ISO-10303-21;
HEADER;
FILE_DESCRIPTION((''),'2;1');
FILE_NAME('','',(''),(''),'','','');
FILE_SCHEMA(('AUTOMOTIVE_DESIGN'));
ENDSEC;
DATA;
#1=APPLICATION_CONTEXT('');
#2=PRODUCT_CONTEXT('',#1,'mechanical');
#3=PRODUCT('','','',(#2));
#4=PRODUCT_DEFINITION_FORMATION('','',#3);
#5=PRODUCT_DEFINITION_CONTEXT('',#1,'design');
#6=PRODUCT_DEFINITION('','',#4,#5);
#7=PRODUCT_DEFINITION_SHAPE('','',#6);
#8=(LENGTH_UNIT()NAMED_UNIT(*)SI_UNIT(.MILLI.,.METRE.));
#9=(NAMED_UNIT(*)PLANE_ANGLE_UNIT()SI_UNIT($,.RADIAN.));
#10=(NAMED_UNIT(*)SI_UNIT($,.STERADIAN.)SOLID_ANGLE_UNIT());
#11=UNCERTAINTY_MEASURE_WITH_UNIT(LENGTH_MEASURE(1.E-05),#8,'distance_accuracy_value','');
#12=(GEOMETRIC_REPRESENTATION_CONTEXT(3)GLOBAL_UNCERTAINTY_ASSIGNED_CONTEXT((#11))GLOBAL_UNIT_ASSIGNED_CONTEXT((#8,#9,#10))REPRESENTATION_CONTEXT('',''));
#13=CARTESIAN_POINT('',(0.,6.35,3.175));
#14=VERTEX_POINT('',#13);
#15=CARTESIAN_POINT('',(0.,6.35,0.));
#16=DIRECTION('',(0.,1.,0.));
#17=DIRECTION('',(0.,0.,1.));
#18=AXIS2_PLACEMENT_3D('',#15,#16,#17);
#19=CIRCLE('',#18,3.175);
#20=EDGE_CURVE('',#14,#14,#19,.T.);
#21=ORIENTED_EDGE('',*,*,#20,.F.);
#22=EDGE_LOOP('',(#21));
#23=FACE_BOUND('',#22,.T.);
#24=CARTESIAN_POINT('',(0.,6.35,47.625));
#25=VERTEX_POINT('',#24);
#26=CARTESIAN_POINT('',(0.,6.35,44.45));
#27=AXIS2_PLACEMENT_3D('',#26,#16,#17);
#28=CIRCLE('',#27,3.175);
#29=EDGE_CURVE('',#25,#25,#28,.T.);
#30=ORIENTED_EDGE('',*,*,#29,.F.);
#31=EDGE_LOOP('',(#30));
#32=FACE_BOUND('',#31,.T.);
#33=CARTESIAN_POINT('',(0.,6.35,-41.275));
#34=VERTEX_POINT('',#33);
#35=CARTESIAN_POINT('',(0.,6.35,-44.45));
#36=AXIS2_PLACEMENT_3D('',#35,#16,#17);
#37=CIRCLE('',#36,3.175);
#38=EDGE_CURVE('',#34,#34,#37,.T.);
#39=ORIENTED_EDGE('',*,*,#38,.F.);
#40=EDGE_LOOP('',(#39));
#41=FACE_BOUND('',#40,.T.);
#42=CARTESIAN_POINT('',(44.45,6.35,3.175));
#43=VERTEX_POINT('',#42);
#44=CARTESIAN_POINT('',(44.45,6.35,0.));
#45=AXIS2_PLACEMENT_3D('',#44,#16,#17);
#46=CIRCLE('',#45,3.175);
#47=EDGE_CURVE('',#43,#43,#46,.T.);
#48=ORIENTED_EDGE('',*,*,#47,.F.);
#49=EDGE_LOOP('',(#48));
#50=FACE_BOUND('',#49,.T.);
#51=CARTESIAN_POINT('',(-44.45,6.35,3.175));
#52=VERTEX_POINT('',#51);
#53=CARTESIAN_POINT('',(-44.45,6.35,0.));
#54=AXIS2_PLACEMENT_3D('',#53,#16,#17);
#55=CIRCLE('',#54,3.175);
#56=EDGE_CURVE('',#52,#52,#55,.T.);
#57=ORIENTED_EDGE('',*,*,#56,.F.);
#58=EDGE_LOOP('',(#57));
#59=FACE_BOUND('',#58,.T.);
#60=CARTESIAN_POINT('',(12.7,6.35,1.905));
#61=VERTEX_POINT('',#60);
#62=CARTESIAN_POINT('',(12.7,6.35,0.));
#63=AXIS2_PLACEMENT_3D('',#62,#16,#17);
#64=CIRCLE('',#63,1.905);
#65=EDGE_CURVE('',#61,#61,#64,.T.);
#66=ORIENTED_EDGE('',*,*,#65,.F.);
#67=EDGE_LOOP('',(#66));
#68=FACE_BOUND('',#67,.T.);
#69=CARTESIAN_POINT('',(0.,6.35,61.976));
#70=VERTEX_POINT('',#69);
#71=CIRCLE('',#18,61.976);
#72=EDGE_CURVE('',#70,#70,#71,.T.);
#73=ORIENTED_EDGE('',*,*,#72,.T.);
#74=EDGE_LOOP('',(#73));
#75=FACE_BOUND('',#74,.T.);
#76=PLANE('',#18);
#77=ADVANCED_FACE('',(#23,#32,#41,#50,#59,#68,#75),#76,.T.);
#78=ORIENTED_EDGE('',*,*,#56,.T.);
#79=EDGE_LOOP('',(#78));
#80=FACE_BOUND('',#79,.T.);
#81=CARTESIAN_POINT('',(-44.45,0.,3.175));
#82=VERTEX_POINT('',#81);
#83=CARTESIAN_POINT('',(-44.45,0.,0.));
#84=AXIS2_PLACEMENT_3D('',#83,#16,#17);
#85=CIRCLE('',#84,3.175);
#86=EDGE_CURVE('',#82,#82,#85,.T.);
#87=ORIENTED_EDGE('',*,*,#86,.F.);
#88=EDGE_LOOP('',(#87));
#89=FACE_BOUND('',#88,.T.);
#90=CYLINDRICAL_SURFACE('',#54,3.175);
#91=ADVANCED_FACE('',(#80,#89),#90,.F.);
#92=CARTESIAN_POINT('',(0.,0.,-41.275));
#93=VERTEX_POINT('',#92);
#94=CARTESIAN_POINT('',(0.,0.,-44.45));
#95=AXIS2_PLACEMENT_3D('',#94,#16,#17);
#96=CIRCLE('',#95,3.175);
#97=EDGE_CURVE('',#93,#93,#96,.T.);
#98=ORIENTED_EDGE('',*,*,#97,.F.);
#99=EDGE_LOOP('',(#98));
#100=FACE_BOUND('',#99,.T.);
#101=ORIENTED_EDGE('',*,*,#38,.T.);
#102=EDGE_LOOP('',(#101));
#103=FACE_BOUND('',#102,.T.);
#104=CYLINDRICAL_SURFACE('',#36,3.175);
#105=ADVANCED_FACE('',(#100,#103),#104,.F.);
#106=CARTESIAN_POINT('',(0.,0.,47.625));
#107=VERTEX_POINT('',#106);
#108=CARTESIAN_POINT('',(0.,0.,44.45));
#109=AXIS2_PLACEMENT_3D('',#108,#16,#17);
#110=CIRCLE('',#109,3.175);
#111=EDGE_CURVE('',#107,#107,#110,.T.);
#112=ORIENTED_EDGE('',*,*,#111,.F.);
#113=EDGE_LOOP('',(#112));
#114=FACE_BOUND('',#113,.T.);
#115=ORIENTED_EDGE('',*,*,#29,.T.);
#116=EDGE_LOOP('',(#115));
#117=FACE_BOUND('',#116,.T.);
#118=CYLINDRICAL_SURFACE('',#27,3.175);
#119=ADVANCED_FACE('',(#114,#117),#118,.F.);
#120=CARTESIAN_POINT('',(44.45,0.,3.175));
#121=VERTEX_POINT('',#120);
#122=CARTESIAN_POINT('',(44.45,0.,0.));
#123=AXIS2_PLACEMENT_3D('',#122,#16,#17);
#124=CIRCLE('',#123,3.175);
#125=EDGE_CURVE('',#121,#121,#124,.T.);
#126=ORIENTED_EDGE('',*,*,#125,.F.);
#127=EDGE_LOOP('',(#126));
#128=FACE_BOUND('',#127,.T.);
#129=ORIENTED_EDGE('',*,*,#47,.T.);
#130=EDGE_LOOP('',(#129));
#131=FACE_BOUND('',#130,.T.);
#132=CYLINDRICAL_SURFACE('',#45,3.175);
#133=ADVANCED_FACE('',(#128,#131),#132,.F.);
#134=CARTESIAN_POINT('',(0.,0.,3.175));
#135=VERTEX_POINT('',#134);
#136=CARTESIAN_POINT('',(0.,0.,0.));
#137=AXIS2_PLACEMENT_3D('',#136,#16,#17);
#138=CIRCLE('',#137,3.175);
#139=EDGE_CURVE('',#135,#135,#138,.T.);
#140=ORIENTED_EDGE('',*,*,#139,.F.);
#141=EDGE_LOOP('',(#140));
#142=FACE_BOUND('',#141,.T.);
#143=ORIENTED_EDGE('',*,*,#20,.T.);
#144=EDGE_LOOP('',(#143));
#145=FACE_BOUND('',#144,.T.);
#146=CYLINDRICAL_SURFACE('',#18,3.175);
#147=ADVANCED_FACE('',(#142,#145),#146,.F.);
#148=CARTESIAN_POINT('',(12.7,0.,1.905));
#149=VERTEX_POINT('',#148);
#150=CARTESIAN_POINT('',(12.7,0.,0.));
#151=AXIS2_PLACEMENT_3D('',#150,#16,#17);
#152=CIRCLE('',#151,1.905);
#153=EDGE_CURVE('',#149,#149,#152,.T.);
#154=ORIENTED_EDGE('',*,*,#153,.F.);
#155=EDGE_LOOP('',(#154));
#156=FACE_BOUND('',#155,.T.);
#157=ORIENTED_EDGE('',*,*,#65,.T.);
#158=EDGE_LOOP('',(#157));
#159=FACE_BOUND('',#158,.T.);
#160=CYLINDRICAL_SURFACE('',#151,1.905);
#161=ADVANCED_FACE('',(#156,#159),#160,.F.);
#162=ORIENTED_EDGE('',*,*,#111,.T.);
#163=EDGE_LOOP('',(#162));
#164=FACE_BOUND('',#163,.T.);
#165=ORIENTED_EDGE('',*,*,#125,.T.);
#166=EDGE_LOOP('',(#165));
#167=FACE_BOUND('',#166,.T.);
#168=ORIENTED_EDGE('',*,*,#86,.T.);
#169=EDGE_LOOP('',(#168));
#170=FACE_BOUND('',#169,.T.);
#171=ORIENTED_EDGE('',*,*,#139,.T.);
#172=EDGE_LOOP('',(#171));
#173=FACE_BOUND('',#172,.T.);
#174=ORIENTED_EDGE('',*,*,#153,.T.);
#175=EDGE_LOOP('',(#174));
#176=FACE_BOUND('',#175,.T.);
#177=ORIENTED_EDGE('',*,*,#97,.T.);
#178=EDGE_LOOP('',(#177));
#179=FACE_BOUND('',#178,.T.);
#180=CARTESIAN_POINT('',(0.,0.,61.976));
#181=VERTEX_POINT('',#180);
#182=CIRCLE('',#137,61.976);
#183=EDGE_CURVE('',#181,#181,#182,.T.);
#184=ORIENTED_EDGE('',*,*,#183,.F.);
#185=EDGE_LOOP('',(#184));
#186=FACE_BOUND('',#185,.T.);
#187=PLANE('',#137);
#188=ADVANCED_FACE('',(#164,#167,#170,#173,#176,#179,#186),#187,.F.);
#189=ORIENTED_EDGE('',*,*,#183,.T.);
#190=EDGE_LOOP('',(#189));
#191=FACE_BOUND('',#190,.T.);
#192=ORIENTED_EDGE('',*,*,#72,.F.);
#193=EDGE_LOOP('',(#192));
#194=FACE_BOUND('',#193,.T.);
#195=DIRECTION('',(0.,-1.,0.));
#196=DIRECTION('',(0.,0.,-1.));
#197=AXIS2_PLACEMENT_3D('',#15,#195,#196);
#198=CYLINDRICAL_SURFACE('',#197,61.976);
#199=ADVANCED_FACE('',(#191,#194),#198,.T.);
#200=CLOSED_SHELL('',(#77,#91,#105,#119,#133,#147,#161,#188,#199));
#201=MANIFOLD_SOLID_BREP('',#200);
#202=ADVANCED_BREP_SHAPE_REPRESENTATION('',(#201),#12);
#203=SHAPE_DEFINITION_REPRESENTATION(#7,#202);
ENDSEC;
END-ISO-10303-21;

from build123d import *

# Parameters (mm, degrees)
SKETCH1_R                       = 61.976
BOSS_EXTRUDE1_DEPTH             = 6.35
F_1_4_0_25_DIAMETER_HOLE1_D     = 6.35
F_1_4_0_25_DIAMETER_HOLE1_DEPTH = 44.958
SKETCH4_R                       = 1.905
CUT_EXTRUDE1_DEPTH              = 7.35


with BuildPart() as part:
    # Sketch1 → Boss-Extrude1 (new body)
    with BuildSketch(Plane(origin=(0, 0, 0), x_dir=(1, 0, 0), z_dir=(0, 1, 0))):
        Circle(SKETCH1_R)
    extrude(amount=BOSS_EXTRUDE1_DEPTH)

    # 1/4 (0.25) Diameter Hole1
    with Locations(Plane(origin=(0, 6.35, 0), x_dir=(1, 0, 0), z_dir=(0, 1, 0))):
        with Locations((0, 44.45), (44.45, 0), (0, -44.45), (-44.45, 0), (0, 0)):
            Hole(F_1_4_0_25_DIAMETER_HOLE1_D / 2, depth=F_1_4_0_25_DIAMETER_HOLE1_DEPTH)

    # Sketch4 → Cut-Extrude1 (cut, through all)
    with BuildSketch(Plane(origin=(0, 6.35, 0), x_dir=(1, 0, 0), z_dir=(0, 1, 0))):
        with Locations((12.7, 0)):
            Circle(SKETCH4_R)
    extrude(amount=-CUT_EXTRUDE1_DEPTH, mode=Mode.SUBTRACT)


solid = part.part
